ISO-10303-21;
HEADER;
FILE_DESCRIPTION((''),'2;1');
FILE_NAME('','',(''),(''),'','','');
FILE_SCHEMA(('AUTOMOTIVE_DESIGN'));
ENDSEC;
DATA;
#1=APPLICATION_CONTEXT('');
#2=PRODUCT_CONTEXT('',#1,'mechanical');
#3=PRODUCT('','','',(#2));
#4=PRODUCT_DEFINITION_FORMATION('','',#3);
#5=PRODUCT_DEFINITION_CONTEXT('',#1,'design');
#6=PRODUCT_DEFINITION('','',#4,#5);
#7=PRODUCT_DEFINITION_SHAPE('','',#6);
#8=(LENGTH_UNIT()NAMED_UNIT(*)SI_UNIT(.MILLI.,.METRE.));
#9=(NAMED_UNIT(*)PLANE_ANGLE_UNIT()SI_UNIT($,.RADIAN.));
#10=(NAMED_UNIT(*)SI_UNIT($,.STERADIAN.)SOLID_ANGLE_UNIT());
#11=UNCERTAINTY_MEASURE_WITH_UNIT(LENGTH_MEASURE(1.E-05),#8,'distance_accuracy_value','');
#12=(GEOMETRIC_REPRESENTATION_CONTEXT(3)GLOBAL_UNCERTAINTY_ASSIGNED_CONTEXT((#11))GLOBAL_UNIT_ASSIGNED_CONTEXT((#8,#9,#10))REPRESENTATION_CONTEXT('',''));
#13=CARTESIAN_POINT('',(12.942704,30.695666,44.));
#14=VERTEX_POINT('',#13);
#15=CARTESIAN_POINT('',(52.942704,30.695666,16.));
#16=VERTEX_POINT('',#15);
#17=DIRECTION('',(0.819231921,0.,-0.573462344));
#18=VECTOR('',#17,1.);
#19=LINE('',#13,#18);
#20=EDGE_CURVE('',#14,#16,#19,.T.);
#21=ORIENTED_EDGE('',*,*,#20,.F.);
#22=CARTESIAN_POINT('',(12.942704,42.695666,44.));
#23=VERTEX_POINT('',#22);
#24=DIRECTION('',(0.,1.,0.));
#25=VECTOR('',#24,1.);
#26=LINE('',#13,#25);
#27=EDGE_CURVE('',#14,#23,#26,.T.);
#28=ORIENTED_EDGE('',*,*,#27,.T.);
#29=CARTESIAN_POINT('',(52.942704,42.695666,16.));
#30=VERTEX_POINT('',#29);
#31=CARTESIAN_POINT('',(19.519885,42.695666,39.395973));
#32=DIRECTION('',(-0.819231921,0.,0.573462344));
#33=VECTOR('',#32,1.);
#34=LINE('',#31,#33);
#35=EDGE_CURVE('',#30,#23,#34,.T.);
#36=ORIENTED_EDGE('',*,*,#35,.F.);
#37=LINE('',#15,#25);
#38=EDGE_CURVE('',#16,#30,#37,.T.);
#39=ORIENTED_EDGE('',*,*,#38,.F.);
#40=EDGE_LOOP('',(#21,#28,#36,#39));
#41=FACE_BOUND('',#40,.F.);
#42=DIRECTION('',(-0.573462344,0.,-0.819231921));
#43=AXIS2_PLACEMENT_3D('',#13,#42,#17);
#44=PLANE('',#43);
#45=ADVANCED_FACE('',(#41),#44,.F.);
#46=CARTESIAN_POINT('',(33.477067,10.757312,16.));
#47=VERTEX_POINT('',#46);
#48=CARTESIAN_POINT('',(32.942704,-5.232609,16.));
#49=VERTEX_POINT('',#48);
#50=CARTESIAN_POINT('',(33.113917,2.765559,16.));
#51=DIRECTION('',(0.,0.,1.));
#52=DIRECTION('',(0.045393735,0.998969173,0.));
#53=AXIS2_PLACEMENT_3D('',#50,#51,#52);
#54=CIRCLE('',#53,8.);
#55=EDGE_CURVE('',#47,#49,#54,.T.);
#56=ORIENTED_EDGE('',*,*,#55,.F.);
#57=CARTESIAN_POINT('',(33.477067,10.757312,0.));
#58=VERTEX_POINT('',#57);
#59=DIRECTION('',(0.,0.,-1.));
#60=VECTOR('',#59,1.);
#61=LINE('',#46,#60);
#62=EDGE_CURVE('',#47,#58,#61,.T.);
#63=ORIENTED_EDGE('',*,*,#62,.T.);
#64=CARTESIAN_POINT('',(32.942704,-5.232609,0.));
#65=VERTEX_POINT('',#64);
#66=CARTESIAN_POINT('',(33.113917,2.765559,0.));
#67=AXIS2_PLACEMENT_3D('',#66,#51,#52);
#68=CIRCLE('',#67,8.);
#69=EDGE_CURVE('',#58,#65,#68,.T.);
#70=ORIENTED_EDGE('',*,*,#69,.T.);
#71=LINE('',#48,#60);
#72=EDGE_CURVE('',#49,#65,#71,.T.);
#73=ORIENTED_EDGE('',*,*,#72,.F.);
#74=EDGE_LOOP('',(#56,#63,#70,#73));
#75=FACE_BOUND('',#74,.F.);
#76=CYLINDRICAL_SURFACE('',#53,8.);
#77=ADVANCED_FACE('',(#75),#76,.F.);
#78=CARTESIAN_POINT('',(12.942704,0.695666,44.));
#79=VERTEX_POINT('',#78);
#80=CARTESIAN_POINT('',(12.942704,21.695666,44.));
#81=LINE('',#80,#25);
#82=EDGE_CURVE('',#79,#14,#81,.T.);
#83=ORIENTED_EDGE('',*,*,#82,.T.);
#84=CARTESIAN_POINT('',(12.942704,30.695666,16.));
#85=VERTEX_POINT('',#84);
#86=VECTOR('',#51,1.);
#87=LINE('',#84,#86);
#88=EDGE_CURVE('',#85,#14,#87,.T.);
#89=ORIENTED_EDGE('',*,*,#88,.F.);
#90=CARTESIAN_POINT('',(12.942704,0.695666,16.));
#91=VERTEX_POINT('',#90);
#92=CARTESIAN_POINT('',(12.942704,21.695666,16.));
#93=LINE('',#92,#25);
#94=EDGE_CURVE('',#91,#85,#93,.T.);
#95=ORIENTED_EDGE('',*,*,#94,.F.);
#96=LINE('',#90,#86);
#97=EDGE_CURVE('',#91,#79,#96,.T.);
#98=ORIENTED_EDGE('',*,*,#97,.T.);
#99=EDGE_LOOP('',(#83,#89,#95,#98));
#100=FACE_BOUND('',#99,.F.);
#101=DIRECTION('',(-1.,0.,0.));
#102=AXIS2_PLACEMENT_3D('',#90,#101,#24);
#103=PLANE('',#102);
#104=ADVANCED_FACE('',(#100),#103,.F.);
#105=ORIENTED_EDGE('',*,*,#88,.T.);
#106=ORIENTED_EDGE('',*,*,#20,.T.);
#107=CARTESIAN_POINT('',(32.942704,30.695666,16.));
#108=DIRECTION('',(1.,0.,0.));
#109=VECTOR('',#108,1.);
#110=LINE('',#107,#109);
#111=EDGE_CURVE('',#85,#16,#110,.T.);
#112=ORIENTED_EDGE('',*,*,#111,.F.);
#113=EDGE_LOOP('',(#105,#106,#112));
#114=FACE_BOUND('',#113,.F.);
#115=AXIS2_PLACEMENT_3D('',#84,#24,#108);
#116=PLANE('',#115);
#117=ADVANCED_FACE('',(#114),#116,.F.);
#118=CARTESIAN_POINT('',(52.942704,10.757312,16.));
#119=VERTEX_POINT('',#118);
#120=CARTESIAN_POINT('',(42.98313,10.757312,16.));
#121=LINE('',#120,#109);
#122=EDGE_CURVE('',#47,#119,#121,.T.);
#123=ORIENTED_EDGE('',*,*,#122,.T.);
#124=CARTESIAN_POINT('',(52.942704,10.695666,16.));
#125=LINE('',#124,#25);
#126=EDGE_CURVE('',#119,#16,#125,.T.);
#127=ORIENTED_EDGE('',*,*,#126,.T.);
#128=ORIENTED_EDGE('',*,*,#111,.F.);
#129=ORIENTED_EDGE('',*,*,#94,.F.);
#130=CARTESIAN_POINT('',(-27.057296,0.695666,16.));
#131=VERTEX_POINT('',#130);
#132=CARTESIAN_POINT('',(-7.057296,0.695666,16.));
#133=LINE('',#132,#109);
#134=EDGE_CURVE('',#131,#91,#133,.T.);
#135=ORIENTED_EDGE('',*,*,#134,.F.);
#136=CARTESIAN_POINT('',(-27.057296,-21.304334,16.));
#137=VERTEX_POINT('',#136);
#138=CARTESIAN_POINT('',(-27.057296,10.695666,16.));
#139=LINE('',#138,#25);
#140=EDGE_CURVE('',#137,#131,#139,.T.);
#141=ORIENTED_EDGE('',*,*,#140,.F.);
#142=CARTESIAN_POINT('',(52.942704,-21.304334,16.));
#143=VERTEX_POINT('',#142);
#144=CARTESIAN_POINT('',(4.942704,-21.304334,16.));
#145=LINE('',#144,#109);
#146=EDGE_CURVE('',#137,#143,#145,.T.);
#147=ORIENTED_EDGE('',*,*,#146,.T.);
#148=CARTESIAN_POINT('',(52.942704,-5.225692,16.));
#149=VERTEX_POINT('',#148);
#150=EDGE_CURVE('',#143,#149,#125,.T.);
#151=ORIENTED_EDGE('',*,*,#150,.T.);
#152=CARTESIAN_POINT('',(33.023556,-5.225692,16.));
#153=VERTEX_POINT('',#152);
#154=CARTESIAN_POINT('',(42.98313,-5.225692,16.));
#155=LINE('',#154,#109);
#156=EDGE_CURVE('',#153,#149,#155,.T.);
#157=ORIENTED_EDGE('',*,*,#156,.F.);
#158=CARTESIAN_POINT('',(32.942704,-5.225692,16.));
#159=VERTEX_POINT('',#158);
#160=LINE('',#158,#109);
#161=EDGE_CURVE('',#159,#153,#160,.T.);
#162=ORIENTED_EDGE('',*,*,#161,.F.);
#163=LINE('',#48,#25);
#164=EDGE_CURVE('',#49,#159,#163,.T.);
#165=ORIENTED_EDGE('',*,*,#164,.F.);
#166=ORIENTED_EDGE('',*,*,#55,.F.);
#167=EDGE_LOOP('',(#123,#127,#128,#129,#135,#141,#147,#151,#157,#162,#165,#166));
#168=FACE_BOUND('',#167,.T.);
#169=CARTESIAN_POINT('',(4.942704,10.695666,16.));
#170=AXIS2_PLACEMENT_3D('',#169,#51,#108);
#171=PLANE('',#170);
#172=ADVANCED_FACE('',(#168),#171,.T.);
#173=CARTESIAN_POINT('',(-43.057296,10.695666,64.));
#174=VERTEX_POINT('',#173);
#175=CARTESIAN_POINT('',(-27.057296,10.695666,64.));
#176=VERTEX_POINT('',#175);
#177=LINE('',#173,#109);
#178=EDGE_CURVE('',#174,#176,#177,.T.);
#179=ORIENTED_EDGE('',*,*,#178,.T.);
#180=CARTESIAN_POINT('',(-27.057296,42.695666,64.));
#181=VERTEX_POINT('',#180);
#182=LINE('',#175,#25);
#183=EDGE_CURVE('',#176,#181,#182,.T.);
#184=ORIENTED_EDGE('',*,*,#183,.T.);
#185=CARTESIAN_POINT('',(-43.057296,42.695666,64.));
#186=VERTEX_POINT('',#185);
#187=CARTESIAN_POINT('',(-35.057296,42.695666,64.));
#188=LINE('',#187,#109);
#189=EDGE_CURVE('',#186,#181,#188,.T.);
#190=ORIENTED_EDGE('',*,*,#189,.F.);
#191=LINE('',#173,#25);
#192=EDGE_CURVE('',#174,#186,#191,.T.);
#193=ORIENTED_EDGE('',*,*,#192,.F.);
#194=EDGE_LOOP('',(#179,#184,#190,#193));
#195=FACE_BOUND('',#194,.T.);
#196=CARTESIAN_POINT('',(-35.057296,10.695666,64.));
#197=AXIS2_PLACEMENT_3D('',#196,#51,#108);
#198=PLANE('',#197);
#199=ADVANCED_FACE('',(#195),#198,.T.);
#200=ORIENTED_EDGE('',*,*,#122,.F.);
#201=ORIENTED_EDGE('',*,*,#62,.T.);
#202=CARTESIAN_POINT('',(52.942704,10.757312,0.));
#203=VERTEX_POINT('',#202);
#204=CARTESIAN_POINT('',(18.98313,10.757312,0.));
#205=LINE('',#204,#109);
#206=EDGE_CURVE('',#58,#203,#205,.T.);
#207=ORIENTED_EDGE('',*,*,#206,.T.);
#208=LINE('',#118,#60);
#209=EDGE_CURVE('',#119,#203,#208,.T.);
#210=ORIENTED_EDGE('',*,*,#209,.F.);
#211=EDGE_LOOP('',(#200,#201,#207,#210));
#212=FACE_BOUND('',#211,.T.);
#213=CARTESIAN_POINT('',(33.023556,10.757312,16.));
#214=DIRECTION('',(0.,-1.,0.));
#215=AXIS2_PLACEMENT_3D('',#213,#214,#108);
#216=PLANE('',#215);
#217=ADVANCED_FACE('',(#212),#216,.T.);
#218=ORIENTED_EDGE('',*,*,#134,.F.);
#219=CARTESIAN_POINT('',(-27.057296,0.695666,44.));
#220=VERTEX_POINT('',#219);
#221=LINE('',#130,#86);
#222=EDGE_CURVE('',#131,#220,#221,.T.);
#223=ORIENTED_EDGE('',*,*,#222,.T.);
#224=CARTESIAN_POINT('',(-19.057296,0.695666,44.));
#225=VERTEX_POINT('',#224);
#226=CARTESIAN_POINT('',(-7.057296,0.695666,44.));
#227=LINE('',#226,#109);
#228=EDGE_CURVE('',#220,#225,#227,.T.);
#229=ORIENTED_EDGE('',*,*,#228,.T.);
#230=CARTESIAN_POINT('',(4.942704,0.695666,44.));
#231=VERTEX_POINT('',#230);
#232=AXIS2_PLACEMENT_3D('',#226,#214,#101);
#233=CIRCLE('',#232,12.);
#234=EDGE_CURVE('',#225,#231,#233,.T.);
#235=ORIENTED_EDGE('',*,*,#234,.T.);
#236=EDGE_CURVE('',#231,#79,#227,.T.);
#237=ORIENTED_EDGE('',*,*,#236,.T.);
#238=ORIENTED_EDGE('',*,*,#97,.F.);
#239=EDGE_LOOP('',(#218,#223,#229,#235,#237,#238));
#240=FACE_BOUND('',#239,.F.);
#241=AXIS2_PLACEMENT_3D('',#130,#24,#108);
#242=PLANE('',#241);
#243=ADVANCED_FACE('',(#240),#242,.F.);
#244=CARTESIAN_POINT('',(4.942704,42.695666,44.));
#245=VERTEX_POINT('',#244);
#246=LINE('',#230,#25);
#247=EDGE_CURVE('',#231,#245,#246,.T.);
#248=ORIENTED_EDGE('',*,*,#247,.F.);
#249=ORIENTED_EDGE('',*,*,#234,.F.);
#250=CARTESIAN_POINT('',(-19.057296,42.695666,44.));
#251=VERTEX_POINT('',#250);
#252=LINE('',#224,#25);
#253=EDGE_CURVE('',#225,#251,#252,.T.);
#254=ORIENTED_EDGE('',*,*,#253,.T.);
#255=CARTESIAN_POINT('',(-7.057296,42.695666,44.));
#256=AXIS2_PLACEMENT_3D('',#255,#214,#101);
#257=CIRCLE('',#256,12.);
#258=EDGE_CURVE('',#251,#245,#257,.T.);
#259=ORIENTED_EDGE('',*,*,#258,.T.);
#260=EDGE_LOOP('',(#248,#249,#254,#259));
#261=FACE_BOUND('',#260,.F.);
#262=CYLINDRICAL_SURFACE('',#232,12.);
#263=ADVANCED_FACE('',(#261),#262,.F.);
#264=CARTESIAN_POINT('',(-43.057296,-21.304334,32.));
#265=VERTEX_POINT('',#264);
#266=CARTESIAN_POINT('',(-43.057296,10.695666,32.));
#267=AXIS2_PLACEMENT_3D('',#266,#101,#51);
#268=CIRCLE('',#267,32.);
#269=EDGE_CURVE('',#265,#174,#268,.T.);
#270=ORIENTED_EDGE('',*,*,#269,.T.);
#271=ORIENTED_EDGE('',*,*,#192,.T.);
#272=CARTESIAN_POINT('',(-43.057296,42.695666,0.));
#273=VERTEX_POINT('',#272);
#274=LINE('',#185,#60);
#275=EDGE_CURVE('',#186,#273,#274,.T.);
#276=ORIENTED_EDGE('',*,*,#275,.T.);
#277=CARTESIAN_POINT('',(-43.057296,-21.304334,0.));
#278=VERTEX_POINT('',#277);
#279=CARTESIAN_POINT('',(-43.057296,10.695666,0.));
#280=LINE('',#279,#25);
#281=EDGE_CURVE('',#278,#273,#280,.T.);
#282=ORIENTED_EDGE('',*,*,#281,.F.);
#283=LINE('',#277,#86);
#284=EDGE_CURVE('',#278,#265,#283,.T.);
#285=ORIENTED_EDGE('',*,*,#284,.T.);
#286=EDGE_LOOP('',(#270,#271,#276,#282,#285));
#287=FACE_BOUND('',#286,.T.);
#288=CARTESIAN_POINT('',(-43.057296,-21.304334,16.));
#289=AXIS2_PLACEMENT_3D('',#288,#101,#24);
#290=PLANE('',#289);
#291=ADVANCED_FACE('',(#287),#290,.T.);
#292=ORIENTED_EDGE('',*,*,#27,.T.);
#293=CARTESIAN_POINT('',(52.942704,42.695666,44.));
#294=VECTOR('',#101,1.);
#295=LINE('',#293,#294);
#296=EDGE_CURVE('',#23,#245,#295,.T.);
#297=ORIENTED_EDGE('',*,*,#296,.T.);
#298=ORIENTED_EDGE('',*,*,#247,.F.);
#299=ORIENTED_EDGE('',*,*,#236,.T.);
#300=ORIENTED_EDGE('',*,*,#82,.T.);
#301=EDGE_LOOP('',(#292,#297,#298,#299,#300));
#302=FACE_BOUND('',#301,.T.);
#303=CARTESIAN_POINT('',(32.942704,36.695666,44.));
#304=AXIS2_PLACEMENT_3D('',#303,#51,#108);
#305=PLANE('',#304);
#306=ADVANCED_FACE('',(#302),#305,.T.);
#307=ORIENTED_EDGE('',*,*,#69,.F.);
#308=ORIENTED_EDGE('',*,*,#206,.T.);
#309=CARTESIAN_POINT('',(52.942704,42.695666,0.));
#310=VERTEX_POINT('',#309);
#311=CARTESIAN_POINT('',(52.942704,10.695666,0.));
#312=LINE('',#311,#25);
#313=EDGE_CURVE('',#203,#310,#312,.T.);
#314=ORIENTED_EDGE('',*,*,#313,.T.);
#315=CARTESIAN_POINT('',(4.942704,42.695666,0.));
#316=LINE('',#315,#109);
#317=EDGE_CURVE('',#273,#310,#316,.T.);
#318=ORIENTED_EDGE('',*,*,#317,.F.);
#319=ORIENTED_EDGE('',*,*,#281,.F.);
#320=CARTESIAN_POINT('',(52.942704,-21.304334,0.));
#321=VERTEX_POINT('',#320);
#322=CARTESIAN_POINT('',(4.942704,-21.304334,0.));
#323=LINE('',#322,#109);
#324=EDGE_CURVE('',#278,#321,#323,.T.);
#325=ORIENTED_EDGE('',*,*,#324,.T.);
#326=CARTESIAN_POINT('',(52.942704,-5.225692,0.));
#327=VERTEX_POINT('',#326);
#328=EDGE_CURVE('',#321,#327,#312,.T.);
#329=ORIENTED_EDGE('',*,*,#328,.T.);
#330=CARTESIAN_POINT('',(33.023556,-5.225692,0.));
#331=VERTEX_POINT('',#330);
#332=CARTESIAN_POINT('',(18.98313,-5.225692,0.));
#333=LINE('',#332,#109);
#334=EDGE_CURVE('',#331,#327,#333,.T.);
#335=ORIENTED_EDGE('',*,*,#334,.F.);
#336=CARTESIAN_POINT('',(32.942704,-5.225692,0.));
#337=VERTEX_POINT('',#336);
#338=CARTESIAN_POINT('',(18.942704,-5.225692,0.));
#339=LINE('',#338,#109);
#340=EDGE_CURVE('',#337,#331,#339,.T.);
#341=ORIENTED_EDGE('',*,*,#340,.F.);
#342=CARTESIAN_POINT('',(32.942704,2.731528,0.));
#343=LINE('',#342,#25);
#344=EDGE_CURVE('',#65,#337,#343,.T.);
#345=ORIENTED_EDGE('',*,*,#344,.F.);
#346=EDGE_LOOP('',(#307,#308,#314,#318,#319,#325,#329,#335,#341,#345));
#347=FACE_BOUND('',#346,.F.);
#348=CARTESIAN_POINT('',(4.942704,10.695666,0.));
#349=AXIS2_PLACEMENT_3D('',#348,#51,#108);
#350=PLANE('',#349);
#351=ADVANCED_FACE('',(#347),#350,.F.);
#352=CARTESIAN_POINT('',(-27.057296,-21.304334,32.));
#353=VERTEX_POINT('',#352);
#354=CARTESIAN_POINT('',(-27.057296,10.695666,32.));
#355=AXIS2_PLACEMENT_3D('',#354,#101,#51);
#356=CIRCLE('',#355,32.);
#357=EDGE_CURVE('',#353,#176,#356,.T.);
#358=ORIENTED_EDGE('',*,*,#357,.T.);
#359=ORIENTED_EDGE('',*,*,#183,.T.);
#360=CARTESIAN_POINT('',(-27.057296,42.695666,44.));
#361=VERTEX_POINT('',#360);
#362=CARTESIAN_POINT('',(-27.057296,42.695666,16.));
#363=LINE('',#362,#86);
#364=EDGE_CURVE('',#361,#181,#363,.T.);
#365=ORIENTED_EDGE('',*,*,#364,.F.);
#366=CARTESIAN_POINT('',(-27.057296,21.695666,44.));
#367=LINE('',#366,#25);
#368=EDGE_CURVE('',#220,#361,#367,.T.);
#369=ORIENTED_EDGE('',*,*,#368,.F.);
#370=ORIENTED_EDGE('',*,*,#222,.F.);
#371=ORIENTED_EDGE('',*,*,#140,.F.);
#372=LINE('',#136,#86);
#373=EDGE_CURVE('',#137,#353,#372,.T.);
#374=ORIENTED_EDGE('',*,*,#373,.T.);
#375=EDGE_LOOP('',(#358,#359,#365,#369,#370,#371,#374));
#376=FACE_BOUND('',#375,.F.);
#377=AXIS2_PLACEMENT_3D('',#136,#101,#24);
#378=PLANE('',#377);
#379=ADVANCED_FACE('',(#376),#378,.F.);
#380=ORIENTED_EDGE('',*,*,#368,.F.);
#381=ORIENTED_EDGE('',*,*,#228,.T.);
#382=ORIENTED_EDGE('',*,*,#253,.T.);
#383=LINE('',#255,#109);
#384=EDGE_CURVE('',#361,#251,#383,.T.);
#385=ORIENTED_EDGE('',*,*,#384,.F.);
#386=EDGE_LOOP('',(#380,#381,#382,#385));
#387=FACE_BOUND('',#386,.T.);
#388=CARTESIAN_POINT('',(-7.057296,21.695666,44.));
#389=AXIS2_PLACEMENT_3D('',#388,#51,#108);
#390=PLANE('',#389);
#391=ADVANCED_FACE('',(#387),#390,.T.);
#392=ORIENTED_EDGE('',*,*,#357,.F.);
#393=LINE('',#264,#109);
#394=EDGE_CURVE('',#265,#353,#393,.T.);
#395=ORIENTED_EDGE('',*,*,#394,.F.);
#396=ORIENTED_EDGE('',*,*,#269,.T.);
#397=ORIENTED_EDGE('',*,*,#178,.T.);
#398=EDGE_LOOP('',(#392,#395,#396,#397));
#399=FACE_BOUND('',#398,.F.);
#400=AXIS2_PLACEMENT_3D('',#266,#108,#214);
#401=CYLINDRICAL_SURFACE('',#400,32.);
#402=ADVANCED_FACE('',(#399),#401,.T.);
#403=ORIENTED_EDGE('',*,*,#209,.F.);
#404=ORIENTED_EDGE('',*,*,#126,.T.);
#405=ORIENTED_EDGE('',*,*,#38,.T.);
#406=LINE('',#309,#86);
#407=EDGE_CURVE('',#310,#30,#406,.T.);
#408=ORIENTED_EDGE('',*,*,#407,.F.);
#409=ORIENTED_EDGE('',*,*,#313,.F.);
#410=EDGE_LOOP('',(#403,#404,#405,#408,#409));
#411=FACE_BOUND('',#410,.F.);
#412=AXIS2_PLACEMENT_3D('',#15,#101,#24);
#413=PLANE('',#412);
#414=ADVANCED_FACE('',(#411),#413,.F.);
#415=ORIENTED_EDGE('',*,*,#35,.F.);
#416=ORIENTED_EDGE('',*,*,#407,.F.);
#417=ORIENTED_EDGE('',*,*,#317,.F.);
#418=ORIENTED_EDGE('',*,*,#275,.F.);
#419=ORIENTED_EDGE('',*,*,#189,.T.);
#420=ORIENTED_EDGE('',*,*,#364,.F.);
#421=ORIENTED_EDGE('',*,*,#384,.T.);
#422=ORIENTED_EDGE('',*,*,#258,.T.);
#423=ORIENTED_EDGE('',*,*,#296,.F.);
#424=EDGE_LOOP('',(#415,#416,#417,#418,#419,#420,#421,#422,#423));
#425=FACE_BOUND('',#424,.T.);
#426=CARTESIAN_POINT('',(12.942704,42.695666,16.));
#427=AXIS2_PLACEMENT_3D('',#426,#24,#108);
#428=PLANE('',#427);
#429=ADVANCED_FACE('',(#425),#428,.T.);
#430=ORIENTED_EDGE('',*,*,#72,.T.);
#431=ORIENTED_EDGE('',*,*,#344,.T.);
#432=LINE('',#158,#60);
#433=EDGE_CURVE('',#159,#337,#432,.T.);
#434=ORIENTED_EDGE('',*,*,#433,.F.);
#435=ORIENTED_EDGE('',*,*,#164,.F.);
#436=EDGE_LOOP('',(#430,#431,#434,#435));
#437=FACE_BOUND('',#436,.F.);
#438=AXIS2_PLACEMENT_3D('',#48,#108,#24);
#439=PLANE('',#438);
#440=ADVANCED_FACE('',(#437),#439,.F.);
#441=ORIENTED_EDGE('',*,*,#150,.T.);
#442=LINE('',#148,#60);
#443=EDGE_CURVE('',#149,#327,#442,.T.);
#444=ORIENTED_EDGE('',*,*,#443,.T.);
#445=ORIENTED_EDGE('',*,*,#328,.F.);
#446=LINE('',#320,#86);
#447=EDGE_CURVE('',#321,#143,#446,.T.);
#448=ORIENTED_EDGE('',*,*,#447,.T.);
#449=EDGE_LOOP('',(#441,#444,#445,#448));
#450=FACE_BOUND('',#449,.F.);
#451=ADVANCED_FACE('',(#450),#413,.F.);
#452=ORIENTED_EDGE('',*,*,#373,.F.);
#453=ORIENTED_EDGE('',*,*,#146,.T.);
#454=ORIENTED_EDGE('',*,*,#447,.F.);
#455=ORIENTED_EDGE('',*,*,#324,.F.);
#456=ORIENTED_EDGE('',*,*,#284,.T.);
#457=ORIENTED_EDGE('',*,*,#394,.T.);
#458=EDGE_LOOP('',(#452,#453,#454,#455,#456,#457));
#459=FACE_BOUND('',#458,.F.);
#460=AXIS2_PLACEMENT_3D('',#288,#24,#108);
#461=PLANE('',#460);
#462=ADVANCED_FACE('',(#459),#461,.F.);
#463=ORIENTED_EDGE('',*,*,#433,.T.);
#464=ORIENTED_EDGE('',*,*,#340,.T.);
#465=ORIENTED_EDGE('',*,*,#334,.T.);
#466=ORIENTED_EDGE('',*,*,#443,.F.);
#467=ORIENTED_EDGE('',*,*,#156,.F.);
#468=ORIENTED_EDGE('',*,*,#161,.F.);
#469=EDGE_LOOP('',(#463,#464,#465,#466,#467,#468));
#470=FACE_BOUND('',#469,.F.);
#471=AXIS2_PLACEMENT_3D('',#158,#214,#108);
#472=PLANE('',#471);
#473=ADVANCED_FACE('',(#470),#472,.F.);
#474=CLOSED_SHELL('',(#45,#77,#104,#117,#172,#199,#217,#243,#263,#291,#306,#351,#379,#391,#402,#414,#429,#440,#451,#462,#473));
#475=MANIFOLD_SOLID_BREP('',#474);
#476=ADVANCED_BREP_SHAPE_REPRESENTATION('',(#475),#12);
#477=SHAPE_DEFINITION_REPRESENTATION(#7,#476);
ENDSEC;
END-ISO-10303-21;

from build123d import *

# Parameters (mm, degrees)
F0_W      = 96
F0_H      = 64
F1_DEPTH  = 16
F2_W      = 16
F2_H      = 64
F3_DEPTH  = 48
F4_R      = 32
F5_W      = 40
F5_H      = 42
F6_DEPTH  = 28
F8_DEPTH  = 52.07
F9_W      = 40
F9_H      = 12
F10_DEPTH = 28
F12_DEPTH = 25.4
F14_W     = 19.9191475213
F14_H     = 15.9830040127
F15_DEPTH = 25
F17_DEPTH = 25


with BuildPart() as f1:
    # F0 (on Top) → F1 (new body)
    with BuildSketch(Plane.XY):
        with Locations((4.9427039921, 10.6956655151)):
            Rectangle(F0_W, F0_H)
    extrude(amount=F1_DEPTH)

    # F2 (on face) → F3 (join)
    with BuildSketch(Plane.XY.offset(16)):
        with Locations((-35.0572960079, 10.6956655151)):
            Rectangle(F2_W, F2_H)
    extrude(amount=F3_DEPTH)

    # F4
    f4_edges = [f1.edges().sort_by_distance(p)[0] for p in [
        (-35.057296, -21.304334, 64),
    ]]
    fillet(f4_edges, radius=F4_R)

    # F5 (on face) → F6 (join)
    with BuildSketch(Plane.XY.offset(16)):
        with Locations((-7.0572960079, 21.6956655151)):
            Rectangle(F5_W, F5_H)
    extrude(amount=F6_DEPTH)

    # F7 (on face) → F8 (cut)
    with BuildSketch(Plane.XZ.offset(-0.6956655151)):
        with BuildLine():
            ThreePointArc((-19.0572960079, 44), (-7.0572960079, 32), (4.9427039921, 44))
            Line((4.9427039921, 44), (-19.0572960079, 44))
        make_face()
    extrude(amount=-F8_DEPTH, mode=Mode.SUBTRACT)

    # F9 (on face) → F10 (join)
    with BuildSketch(Plane.XY.offset(16)):
        with Locations((32.9427039921, 36.6956655151)):
            Rectangle(F9_W, F9_H)
    extrude(amount=F10_DEPTH)

    # F11 (on face) → F12 (cut)
    with BuildSketch(Plane.XZ.offset(-30.6956655151)):
        Polygon((52.9427039921, 44), (12.9427039921, 44), (52.9427039921, 16), align=None)
    extrude(amount=-F12_DEPTH, mode=Mode.SUBTRACT)

    # F14 (on face) → F15 (cut)
    with BuildSketch(Plane.XY.offset(16)):
        with Locations((42.9831302315, 2.765810062)):
            Rectangle(F14_W, F14_H)
    extrude(amount=-F15_DEPTH, mode=Mode.SUBTRACT)

    # F16 (on face) → F17 (cut)
    with BuildSketch(Plane.XY.offset(16)):
        with BuildLine():
            Line((33.0235564709, 10.7573120683), (33.4770667325, 10.7573120683))
            ThreePointArc((33.4770667325, 10.7573120683), (25.1183803566, 3.0327593017), (32.9427039921, -5.2326089915))
            Line((32.9427039921, -5.2326089915), (32.9427039921, -5.2256919444))
            Line((32.9427039921, -5.2256919444), (33.0235564709, -5.2256919444))
            Line((33.0235564709, -5.2256919444), (33.0235564709, 10.7573120683))
        make_face()
    extrude(amount=-F17_DEPTH, mode=Mode.SUBTRACT)


solid = f1.part
